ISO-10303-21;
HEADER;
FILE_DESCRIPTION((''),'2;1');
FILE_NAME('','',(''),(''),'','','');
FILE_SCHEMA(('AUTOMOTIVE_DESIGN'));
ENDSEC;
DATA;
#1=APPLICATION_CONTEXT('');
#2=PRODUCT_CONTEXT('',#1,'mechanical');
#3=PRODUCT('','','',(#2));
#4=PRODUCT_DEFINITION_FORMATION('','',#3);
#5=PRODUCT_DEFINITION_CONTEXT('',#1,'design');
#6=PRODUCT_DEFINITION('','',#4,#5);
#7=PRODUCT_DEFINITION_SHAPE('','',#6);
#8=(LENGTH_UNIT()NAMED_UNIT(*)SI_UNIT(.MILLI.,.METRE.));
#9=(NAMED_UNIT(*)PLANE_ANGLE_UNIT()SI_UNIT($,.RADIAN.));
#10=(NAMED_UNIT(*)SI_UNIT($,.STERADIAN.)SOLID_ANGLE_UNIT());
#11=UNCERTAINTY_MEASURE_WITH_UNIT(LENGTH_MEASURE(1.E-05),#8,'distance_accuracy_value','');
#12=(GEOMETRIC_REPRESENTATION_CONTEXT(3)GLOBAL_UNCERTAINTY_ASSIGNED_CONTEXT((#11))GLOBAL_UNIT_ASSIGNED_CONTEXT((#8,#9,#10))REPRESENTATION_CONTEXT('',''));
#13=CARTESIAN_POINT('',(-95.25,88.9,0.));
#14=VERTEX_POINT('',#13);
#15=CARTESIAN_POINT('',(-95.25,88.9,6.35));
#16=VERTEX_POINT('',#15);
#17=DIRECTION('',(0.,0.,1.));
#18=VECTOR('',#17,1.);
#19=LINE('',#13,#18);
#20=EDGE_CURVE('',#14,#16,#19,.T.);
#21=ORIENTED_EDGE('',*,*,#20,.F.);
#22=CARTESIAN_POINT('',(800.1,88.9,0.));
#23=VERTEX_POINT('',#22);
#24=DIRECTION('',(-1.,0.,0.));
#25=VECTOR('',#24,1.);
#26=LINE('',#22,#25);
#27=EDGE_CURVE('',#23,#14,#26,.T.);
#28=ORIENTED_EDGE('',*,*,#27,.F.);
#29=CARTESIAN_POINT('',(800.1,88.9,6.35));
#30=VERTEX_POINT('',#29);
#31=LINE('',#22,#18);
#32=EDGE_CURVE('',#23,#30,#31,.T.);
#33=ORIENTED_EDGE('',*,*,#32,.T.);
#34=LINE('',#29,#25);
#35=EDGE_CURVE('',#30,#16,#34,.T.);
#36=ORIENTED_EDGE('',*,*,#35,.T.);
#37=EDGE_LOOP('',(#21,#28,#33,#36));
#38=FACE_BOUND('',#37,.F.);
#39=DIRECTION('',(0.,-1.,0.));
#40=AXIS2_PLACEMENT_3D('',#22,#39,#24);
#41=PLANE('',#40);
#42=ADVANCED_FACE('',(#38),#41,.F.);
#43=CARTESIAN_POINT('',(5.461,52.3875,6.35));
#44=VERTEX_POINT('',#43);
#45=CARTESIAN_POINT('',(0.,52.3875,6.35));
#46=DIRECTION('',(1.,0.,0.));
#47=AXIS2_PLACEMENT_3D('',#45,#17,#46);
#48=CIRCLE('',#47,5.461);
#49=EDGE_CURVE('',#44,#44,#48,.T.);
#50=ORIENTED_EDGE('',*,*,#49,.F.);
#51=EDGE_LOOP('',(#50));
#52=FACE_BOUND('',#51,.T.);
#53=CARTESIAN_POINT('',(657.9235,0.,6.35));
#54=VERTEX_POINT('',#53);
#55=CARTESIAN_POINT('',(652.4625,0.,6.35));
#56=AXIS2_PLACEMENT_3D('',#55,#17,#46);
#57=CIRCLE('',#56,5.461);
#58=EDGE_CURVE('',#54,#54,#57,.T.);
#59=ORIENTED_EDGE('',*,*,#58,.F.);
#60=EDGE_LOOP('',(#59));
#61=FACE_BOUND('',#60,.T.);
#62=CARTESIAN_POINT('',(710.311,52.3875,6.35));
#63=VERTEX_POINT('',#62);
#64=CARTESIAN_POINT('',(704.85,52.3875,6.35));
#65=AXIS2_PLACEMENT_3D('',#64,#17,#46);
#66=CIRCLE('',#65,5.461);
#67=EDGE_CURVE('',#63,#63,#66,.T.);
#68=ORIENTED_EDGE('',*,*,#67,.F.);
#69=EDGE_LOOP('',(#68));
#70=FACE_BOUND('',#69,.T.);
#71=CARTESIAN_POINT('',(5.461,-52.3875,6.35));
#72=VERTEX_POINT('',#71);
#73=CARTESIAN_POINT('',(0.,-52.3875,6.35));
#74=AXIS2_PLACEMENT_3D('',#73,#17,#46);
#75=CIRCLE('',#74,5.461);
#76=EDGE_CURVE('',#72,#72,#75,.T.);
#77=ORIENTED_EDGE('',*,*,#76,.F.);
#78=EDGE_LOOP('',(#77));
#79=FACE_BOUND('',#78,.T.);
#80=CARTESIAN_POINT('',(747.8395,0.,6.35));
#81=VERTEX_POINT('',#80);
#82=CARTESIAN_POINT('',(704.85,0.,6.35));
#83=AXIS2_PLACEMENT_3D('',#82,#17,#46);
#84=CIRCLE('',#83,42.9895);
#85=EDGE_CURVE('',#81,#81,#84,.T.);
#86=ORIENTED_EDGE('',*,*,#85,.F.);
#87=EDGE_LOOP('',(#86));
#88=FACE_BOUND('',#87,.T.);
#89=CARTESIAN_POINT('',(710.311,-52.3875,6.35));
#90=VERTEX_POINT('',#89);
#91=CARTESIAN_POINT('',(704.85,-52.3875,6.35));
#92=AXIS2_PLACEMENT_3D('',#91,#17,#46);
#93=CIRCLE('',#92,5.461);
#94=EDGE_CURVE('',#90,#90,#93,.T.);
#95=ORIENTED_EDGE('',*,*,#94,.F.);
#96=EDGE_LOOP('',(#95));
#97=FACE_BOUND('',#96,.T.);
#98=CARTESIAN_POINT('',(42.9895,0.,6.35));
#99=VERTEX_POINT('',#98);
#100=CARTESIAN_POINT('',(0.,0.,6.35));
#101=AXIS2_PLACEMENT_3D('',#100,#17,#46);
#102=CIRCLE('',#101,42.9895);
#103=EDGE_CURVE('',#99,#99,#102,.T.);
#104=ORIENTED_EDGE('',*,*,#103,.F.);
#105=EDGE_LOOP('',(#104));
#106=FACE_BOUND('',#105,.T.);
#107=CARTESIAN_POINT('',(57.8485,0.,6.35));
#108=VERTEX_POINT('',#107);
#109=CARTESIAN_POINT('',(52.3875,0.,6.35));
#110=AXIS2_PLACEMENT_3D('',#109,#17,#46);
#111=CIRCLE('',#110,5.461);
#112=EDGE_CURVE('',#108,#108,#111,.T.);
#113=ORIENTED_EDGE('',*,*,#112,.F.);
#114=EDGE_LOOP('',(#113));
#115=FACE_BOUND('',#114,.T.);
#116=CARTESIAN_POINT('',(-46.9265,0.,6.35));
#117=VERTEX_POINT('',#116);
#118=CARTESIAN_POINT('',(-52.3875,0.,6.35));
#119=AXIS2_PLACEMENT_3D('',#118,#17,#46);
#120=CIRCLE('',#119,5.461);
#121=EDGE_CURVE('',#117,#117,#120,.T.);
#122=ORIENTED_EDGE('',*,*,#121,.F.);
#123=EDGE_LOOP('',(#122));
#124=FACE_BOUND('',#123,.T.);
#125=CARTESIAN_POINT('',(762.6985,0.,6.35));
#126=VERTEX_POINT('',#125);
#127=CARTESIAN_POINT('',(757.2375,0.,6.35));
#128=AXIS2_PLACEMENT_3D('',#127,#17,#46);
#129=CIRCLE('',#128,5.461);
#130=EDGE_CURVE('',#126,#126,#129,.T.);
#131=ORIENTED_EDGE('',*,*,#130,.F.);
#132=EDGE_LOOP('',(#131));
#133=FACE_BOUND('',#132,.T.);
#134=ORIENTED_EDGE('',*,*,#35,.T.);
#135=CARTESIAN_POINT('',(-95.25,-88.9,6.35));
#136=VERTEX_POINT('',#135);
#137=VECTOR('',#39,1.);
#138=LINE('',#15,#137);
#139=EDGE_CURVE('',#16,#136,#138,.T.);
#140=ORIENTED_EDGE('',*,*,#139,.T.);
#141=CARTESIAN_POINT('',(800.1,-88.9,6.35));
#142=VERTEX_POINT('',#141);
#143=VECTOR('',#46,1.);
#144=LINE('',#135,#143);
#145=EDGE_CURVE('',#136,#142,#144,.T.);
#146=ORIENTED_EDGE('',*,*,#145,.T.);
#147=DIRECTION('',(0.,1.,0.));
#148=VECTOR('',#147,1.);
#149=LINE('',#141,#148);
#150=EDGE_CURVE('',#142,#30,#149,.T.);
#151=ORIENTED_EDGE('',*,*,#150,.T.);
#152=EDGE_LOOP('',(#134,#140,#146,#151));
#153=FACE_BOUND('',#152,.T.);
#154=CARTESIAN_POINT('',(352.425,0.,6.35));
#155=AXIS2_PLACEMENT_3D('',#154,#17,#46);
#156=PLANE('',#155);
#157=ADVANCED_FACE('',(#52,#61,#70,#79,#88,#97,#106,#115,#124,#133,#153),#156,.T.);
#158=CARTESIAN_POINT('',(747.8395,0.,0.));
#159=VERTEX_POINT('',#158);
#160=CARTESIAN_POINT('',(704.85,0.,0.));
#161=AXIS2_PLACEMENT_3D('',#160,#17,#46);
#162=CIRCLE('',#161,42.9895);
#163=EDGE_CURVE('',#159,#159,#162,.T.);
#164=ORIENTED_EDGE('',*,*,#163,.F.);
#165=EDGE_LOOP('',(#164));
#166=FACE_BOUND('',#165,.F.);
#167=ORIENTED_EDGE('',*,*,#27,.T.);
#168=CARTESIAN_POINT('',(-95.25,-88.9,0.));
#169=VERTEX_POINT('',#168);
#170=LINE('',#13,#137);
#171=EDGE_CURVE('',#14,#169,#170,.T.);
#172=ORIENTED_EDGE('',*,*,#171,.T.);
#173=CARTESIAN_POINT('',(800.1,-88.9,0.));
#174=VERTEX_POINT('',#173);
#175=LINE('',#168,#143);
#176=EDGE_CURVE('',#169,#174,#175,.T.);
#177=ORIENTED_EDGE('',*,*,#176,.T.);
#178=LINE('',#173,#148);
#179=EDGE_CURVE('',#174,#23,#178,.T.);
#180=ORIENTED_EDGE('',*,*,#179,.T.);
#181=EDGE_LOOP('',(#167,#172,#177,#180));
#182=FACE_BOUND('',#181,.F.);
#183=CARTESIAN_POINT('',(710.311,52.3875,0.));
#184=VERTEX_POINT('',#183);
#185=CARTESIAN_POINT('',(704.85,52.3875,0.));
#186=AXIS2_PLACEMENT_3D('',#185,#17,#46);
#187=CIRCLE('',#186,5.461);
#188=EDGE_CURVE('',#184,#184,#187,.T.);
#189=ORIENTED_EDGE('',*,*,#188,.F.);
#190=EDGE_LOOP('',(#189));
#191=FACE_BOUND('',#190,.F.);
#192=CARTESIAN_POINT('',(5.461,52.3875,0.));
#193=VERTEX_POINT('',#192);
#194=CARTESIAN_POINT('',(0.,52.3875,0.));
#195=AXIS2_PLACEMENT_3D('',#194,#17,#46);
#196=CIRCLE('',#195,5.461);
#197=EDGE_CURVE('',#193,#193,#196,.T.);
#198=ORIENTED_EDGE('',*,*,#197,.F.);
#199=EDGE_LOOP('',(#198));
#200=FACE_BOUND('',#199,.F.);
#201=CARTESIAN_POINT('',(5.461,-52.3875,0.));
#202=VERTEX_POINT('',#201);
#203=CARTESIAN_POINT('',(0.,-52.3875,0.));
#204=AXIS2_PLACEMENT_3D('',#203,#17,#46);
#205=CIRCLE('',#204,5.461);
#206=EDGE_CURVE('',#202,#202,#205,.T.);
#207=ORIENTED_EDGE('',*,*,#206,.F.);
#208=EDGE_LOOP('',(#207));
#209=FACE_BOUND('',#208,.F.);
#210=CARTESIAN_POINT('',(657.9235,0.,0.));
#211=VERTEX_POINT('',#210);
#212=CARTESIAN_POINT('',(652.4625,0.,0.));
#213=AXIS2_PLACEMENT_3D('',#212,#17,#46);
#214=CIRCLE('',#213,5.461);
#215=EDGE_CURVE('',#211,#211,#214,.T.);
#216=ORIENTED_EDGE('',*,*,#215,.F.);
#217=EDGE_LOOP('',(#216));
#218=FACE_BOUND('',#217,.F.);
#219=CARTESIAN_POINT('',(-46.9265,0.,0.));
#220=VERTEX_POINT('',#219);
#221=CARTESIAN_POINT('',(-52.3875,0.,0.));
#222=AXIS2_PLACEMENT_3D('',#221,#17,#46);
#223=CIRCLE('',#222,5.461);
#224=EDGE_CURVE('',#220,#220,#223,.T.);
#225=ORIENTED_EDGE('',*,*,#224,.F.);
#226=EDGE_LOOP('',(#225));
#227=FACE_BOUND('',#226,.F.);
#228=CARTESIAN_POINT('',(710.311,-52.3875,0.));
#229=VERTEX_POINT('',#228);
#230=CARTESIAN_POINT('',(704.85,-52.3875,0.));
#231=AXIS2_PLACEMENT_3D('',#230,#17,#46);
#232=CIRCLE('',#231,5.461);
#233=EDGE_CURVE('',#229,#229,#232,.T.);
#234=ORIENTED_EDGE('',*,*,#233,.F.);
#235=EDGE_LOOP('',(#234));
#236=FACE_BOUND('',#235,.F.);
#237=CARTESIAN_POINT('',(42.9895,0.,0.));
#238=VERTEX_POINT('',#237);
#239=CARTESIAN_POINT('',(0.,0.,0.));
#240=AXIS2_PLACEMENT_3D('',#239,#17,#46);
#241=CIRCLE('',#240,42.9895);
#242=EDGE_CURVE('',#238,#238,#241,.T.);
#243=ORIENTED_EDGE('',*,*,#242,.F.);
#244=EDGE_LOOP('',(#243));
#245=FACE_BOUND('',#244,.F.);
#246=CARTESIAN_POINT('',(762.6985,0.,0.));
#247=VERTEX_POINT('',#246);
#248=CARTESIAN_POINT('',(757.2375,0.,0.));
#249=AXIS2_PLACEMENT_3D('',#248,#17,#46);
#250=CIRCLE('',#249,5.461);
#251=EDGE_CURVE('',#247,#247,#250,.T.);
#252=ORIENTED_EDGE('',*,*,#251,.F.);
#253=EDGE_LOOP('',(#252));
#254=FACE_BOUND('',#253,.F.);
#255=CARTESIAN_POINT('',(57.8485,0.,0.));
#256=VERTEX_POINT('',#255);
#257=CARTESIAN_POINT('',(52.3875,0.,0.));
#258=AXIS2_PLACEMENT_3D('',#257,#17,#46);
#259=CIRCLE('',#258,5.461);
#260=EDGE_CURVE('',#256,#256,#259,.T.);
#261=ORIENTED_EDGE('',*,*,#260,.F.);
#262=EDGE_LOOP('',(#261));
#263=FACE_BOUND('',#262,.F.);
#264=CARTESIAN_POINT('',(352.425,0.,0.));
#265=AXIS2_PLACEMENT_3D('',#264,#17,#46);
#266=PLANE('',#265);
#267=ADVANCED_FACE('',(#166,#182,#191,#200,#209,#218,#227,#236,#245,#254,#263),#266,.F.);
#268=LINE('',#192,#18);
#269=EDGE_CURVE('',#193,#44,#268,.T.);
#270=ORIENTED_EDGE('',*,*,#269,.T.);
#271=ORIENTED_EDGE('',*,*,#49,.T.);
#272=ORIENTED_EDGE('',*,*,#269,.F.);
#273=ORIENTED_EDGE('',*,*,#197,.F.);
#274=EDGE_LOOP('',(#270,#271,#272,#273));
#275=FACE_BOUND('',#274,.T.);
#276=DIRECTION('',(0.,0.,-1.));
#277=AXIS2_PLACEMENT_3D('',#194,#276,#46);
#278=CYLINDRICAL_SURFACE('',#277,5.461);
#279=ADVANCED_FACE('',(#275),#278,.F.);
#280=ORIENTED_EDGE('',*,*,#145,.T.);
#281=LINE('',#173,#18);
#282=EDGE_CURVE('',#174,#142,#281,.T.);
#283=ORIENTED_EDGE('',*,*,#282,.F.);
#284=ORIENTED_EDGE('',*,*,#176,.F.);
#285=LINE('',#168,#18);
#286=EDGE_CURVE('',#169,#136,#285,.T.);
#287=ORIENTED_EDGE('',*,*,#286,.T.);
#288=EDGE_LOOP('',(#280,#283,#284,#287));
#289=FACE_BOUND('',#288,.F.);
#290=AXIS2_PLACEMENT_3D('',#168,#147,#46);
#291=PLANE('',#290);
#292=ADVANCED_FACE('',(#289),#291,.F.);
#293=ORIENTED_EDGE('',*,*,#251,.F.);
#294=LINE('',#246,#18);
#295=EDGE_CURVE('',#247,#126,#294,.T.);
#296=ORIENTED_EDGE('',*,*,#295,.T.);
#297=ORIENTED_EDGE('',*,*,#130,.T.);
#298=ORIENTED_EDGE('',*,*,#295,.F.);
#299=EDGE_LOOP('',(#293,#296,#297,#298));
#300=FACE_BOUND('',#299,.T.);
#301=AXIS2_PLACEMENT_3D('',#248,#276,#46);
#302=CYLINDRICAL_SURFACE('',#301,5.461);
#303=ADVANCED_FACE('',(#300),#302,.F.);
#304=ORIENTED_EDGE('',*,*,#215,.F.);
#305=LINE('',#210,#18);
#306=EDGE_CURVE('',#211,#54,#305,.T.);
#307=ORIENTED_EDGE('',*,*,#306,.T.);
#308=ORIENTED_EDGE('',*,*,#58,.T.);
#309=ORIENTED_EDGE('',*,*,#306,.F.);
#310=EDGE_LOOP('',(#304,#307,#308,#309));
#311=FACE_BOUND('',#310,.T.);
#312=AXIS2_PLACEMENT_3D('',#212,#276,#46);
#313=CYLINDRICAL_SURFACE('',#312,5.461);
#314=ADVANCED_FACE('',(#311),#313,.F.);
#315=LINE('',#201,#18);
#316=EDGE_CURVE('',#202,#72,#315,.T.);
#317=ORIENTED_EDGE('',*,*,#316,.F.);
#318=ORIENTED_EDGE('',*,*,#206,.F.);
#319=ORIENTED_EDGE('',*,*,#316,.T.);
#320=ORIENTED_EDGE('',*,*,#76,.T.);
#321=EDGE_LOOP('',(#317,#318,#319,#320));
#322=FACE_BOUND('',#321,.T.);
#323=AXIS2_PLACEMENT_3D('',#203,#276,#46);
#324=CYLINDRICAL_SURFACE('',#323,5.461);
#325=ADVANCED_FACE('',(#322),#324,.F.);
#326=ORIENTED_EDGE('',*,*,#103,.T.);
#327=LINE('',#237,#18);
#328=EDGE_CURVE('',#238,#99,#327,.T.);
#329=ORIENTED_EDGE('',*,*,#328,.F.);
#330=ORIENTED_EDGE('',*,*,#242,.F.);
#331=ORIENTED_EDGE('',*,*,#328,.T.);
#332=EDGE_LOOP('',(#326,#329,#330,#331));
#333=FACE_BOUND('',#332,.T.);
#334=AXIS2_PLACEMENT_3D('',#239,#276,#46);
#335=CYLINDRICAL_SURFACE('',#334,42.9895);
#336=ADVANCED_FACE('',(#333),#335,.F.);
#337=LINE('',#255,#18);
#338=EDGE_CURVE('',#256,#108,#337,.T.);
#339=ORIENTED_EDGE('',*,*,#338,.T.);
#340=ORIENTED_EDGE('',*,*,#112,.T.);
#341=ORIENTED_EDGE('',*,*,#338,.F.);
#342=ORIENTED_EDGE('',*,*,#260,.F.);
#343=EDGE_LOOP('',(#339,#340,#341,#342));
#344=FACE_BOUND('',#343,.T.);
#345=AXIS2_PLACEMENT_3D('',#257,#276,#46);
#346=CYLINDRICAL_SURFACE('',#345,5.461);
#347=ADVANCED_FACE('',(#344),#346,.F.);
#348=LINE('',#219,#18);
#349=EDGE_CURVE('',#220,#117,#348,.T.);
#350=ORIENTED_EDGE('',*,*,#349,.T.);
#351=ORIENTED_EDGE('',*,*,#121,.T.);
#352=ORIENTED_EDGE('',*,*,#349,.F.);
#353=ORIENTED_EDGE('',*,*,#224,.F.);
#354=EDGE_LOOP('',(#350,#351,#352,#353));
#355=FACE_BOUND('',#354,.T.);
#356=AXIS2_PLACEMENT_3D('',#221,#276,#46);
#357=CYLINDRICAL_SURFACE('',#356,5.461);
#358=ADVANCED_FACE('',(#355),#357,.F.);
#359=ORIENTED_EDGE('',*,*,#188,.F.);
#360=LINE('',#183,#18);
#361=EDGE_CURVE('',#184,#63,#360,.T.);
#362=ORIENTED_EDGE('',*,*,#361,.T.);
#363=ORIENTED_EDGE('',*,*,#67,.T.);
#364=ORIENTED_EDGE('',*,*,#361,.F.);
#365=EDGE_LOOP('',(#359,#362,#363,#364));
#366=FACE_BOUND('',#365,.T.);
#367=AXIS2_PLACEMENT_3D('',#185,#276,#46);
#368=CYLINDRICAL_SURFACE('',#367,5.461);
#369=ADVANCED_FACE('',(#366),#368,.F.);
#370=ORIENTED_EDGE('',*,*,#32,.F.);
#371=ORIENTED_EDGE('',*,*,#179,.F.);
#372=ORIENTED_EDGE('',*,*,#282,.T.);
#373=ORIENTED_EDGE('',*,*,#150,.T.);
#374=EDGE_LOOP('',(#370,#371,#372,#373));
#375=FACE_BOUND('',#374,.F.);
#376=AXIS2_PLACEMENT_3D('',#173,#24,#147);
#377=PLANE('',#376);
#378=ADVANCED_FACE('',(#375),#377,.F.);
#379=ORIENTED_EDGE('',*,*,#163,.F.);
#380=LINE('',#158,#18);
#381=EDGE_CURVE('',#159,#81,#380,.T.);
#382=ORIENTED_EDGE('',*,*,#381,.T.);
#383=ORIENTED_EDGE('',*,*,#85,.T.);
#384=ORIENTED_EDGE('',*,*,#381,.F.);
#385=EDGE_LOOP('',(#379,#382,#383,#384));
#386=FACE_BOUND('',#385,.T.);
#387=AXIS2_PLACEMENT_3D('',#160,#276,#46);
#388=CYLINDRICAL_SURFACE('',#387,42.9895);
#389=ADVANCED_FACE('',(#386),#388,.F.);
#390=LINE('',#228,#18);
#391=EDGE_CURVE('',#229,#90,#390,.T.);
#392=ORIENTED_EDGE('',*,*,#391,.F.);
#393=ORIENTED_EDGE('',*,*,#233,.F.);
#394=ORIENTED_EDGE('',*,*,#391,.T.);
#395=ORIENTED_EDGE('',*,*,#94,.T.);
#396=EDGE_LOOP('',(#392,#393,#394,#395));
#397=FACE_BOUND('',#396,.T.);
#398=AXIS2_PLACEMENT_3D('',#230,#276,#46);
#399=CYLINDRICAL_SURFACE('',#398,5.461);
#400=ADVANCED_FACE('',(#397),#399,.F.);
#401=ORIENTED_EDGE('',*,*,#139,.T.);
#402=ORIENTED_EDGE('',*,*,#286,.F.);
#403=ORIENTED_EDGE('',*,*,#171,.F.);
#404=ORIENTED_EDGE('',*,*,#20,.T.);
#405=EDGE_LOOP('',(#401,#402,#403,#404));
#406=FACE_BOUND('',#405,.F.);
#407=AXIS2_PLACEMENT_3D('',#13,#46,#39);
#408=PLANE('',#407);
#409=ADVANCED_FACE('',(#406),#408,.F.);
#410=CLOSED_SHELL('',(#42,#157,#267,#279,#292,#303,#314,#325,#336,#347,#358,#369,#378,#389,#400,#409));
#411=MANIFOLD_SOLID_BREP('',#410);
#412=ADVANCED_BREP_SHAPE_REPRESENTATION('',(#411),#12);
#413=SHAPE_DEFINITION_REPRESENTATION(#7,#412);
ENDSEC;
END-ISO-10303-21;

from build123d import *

# Parameters (mm, degrees)
F0_R     = 5.461
F0_R_2   = 42.9895
F1_DEPTH = 6.35


with BuildPart() as f1:
    # F0 (on Top) → F1 (new body)
    with BuildSketch(Plane.XY):
        Polygon((-95.25, 88.9), (-95.25, -88.9), (800.1, -88.9), (800.1, 88.9), (352.425, 88.9), align=None)
        with Locations((0, -52.3875)):
            Circle(F0_R, mode=Mode.SUBTRACT)
        with Locations((704.85, -52.3875)):
            Circle(F0_R, mode=Mode.SUBTRACT)
        with Locations((-52.3875, 0)):
            Circle(F0_R, mode=Mode.SUBTRACT)
        Circle(F0_R_2, mode=Mode.SUBTRACT)
        with Locations((52.3875, 0)):
            Circle(F0_R, mode=Mode.SUBTRACT)
        with Locations((0, 52.3875)):
            Circle(F0_R, mode=Mode.SUBTRACT)
        with Locations((652.4625, 0)):
            Circle(F0_R, mode=Mode.SUBTRACT)
        with Locations((704.85, 0)):
            Circle(F0_R_2, mode=Mode.SUBTRACT)
        with Locations((757.2375, 0)):
            Circle(F0_R, mode=Mode.SUBTRACT)
        with Locations((704.85, 52.3875)):
            Circle(F0_R, mode=Mode.SUBTRACT)
    extrude(amount=F1_DEPTH)


solid = f1.part
